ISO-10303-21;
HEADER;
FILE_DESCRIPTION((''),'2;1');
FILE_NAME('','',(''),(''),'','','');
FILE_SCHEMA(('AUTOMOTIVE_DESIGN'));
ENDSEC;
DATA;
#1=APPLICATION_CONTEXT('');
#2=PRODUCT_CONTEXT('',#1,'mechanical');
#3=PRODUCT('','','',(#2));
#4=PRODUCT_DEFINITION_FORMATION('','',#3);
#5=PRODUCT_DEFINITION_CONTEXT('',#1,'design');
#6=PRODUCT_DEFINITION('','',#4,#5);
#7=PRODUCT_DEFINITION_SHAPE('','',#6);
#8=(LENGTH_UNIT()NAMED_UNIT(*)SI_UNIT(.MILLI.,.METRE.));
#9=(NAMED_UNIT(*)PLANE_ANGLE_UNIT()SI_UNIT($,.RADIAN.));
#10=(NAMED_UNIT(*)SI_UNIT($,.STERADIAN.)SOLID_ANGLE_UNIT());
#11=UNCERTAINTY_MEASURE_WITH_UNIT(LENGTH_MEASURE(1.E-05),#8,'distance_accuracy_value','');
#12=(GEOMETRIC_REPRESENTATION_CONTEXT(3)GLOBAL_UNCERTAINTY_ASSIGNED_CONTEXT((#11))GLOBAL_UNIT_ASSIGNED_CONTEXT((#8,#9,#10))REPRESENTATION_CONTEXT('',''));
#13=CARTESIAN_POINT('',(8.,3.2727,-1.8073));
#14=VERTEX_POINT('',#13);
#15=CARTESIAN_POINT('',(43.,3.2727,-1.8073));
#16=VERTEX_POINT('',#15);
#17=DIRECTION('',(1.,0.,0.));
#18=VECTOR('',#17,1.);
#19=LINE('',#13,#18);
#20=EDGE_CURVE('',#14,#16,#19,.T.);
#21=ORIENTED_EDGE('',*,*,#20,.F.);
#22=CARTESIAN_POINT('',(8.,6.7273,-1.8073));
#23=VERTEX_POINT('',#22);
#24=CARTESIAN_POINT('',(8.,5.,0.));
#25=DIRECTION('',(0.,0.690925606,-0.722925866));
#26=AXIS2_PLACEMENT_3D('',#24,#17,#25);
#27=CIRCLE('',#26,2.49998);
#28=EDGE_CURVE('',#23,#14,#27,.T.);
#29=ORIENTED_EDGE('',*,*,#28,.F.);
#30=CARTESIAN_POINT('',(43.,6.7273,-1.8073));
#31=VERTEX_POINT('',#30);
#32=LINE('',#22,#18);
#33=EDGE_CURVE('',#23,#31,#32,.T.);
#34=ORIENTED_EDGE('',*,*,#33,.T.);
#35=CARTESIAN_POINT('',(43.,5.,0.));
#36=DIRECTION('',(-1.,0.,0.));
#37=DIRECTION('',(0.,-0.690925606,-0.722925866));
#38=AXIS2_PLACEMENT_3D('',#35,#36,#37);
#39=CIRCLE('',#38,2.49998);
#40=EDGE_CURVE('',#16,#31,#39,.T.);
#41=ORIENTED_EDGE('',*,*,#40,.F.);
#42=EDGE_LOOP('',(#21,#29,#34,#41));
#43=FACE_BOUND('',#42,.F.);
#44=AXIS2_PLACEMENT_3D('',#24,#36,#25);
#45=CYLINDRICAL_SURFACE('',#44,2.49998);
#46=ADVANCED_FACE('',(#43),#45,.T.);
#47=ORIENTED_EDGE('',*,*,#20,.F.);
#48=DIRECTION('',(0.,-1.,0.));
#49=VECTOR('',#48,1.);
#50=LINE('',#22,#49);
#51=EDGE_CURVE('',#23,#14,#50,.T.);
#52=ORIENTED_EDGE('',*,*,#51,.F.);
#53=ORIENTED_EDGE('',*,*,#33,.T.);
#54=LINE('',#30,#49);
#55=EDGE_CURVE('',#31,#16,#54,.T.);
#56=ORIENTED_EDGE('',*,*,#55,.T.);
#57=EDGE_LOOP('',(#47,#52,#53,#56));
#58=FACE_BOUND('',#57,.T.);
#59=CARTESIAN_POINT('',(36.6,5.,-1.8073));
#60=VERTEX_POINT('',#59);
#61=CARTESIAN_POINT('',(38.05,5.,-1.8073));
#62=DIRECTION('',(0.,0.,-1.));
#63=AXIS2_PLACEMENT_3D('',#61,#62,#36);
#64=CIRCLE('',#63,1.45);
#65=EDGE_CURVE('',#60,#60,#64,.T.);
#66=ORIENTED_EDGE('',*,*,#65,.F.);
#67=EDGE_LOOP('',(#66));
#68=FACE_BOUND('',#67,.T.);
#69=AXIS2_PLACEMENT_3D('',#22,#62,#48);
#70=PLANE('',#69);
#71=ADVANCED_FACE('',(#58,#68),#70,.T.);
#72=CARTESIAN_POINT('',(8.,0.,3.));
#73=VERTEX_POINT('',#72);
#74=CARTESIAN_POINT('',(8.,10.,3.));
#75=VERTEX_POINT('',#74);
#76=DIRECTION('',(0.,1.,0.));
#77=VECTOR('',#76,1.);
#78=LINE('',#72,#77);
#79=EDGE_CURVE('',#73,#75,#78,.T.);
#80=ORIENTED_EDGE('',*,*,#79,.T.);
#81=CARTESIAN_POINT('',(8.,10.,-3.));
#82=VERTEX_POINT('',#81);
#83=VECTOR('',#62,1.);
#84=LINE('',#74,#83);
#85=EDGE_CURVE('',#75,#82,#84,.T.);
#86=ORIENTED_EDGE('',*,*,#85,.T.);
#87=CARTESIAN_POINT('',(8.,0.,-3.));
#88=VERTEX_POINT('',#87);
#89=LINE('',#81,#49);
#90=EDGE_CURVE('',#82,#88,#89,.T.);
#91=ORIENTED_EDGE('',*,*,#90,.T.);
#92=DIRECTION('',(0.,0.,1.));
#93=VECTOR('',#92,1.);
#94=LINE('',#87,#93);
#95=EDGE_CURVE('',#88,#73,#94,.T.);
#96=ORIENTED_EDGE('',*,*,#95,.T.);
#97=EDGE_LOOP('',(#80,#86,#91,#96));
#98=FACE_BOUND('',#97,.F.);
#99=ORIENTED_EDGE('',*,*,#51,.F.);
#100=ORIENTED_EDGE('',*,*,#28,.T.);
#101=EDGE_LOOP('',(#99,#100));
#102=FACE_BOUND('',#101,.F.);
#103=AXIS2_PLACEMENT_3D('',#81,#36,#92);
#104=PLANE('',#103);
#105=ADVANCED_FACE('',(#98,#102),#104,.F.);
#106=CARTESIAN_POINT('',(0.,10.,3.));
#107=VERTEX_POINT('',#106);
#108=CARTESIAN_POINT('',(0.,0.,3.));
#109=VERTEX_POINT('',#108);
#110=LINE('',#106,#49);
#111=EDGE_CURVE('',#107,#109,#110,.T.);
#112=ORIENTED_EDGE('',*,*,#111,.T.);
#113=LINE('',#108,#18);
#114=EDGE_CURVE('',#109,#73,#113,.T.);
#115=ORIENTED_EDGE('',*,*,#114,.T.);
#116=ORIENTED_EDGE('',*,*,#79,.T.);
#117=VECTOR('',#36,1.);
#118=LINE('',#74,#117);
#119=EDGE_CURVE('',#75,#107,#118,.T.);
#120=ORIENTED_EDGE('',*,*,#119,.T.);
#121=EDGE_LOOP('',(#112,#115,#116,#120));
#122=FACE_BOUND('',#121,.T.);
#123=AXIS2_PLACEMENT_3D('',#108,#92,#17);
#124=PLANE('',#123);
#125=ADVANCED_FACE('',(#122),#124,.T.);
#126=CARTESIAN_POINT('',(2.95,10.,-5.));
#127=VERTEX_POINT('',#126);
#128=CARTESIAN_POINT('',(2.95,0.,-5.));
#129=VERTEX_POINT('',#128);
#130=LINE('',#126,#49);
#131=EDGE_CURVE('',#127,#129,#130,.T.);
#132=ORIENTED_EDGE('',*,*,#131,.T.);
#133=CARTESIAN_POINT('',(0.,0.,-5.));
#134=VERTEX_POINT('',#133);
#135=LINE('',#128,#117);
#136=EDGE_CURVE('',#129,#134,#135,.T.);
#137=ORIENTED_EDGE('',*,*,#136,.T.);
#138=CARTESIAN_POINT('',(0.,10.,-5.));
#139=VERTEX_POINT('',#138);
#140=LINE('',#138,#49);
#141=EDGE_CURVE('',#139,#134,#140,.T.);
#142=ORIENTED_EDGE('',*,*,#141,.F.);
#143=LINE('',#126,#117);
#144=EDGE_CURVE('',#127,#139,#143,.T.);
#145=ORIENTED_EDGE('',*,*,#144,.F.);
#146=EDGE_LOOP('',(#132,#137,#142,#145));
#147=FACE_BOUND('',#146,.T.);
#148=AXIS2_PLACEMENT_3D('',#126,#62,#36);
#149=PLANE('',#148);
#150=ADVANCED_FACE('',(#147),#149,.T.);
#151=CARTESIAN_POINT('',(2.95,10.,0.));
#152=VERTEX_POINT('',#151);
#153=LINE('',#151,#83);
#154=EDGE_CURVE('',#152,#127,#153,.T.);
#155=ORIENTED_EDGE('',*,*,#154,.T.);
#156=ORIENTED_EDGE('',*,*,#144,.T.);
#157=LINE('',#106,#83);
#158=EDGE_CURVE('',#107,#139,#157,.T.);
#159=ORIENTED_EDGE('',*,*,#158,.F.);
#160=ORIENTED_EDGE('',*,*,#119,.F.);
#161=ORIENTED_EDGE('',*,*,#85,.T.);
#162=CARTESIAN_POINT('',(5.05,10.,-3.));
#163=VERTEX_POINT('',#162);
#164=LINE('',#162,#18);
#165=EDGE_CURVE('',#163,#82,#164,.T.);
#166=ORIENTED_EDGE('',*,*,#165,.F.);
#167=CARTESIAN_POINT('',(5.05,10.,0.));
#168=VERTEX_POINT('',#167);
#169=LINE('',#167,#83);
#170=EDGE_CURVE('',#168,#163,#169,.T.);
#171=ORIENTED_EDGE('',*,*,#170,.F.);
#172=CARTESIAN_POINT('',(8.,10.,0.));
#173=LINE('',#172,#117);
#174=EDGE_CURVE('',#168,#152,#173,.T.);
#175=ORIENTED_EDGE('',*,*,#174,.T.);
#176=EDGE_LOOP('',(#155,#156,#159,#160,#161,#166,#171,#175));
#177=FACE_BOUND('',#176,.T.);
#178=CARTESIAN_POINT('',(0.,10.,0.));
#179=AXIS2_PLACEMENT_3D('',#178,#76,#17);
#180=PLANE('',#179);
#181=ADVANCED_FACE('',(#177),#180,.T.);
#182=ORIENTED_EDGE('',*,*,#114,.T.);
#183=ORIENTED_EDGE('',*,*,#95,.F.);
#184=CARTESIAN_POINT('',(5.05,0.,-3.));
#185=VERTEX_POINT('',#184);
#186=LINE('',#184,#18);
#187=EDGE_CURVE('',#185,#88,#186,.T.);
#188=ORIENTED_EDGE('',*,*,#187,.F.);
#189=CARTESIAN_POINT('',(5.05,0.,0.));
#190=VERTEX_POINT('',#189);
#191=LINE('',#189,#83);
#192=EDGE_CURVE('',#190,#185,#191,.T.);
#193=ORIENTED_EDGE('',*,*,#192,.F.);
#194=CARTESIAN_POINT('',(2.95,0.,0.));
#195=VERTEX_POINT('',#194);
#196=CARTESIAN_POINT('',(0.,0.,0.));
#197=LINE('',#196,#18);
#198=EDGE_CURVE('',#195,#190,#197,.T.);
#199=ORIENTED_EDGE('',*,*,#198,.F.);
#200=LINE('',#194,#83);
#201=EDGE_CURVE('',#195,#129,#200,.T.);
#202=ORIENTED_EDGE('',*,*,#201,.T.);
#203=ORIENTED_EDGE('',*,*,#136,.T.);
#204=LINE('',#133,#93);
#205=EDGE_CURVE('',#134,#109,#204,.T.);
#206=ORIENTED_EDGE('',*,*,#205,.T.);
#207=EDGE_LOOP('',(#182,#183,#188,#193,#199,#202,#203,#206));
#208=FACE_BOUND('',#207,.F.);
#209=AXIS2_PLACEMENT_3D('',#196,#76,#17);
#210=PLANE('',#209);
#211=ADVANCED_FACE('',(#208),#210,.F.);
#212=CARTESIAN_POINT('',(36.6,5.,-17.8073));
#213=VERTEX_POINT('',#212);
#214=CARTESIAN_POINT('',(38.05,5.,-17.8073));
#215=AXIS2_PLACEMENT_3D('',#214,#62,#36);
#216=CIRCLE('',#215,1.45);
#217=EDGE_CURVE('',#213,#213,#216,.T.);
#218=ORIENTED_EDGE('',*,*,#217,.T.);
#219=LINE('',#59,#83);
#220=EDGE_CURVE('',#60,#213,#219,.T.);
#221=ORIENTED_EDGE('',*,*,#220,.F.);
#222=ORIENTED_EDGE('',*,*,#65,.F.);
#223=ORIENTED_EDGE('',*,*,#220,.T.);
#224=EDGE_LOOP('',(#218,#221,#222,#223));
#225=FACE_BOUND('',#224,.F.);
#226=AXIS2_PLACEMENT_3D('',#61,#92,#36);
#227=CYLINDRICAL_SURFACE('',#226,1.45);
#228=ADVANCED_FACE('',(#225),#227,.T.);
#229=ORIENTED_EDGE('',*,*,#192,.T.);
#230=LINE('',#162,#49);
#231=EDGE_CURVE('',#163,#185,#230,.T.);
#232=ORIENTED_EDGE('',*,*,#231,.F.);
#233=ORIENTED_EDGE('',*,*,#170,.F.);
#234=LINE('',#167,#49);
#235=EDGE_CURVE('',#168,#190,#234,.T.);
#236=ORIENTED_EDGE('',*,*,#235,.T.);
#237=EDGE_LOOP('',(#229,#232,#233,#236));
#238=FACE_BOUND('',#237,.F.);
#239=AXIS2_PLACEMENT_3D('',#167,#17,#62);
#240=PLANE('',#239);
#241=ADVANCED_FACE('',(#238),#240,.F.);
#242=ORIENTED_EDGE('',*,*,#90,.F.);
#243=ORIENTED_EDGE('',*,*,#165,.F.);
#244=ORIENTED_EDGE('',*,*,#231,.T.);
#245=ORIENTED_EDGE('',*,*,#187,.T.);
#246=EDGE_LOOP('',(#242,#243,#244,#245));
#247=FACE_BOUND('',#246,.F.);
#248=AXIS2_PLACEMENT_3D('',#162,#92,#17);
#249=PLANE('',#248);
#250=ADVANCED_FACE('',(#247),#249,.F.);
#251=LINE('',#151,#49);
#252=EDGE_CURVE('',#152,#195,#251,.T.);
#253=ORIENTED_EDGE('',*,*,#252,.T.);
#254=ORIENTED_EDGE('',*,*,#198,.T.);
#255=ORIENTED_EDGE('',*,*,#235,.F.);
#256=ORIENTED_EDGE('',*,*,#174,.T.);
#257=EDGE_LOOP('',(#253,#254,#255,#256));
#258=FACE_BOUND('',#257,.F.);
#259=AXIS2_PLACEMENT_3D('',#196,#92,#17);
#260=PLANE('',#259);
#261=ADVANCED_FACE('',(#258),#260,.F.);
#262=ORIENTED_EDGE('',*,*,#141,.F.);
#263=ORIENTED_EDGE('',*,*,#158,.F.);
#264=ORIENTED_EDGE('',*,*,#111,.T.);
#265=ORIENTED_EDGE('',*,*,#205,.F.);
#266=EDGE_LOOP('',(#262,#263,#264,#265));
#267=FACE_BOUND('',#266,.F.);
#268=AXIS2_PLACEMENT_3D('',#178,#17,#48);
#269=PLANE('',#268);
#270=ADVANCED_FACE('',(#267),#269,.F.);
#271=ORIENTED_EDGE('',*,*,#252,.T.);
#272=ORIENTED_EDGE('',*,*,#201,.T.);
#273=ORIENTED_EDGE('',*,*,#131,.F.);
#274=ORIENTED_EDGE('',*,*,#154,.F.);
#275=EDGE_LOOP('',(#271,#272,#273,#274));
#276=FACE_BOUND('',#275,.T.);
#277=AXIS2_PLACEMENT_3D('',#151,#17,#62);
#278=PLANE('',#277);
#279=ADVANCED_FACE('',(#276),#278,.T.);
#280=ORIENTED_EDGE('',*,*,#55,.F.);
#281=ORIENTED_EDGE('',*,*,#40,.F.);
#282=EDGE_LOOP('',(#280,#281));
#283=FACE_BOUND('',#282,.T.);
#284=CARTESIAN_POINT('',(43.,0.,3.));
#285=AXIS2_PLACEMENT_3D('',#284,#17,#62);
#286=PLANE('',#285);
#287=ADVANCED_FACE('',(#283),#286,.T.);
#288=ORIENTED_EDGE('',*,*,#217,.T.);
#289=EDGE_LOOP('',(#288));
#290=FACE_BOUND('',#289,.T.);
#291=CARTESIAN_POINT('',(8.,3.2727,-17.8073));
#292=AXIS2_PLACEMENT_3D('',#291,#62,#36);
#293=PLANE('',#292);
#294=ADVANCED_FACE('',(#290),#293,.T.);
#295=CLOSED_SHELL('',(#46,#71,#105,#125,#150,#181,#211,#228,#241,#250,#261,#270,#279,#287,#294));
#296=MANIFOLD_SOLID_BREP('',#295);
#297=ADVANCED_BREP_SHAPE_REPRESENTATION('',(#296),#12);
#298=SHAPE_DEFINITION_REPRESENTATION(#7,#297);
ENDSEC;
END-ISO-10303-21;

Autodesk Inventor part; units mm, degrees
ref_plane "YZ Plane" through (0, 0, 0) normal (1, 0, 0) x (0, 1, 0)
ref_plane "XZ Plane" through (0, 0, 0) normal (0, 1, 0) x (-1, 0, 0)
ref_plane "XY Plane" through (0, 0, 0) normal (0, 0, 1) x (1, 0, 0)
sketch "Sketch1" plane through (0, 0, 0) normal (0, 0, 1) x (1, 0, 0)
  line L0 (0, 0) -> (8, 0)
  line L1 (8, 0) -> (8, 10)
  line L2 (8, 10) -> (0, 10)
  line L3 (0, 10) -> (0, 0)
  dimension "d0" = 8
  dimension "d1" = 10
extrude "Extrusion1" add sketch "Sketch1" along normal blind 3
sketch "Sketch2" plane through (8, 0, 0) normal (1, 0, 0) x (0, 0, -1)
  point P0 (0, 0)
sketch "Sketch3" plane through (0, 10, 0) normal (0, 1, 0) x (1, 0, 0)
  line L0 (0, 0) -> (2.95, 0)
  line L1 (2.95, 0) -> (2.95, 5)
  line L2 (2.95, 5) -> (0, 5)
  line L3 (0, 5) -> (0, 0)
  line L4 (8, 0) -> (0, 0) projected
  line L5 (8, 0) -> (8, -3) projected
  line L6 (8, 0) -> (5.05, 0)
  line L7 (5.05, 0) -> (5.05, 3)
  line L8 (5.05, 3) -> (8, 3)
  line L9 (8, 3) -> (8, 0)
  point P0 (5.05, 5)
  dimension "d4" = 2.95
  dimension "d10" = 2.95
  dimension "d11" = 3
extrude "Extrusion2" add sketch "Sketch3" against normal blind 10 contours L3 L2 L1 L0
sketch "Sketch4" plane through (8, 0, 3) normal (1, 0, 0) x (0, 0, -1)
  point P0 (3, 0)
extrude "Extrusion3" add sketch "Sketch3" against normal blind 10 contours L7 L8 L9 L4
sketch "Sketch5" plane through (8, 0, 3) normal (1, 0, 0) x (0, 0, -1)
  line L0 (3, 0) -> (3, 10) projected
  arc A0 (4.8073, 6.7273) -> (4.8073, 3.2727) centre (3, 5) ccw
  line L1 (4.8073, 6.7273) -> (4.8073, 3.2727)
  dimension "d14" = 5
extrude "Extrusion4" add sketch "Sketch5" along normal blind 35
sketch "Sketch6" plane through (8, 3.2727, -1.8073) normal (0, 0, -1) x (-1, 0, 0)
  line L0 (0, 3.4546) -> (0, 0) projected
  line L1 (0, 1.7273) -> (-30.05, 1.7273)
  circle A0 centre (-30.05, 1.7273) radius 1.45
  point P0 (8, -3.2727)
  dimension "d17" = 30.05
  dimension "d18" = 2.9
extrude "Extrusion5" add sketch "Sketch6" along normal blind 16
properties part number "Grip Stopper"
